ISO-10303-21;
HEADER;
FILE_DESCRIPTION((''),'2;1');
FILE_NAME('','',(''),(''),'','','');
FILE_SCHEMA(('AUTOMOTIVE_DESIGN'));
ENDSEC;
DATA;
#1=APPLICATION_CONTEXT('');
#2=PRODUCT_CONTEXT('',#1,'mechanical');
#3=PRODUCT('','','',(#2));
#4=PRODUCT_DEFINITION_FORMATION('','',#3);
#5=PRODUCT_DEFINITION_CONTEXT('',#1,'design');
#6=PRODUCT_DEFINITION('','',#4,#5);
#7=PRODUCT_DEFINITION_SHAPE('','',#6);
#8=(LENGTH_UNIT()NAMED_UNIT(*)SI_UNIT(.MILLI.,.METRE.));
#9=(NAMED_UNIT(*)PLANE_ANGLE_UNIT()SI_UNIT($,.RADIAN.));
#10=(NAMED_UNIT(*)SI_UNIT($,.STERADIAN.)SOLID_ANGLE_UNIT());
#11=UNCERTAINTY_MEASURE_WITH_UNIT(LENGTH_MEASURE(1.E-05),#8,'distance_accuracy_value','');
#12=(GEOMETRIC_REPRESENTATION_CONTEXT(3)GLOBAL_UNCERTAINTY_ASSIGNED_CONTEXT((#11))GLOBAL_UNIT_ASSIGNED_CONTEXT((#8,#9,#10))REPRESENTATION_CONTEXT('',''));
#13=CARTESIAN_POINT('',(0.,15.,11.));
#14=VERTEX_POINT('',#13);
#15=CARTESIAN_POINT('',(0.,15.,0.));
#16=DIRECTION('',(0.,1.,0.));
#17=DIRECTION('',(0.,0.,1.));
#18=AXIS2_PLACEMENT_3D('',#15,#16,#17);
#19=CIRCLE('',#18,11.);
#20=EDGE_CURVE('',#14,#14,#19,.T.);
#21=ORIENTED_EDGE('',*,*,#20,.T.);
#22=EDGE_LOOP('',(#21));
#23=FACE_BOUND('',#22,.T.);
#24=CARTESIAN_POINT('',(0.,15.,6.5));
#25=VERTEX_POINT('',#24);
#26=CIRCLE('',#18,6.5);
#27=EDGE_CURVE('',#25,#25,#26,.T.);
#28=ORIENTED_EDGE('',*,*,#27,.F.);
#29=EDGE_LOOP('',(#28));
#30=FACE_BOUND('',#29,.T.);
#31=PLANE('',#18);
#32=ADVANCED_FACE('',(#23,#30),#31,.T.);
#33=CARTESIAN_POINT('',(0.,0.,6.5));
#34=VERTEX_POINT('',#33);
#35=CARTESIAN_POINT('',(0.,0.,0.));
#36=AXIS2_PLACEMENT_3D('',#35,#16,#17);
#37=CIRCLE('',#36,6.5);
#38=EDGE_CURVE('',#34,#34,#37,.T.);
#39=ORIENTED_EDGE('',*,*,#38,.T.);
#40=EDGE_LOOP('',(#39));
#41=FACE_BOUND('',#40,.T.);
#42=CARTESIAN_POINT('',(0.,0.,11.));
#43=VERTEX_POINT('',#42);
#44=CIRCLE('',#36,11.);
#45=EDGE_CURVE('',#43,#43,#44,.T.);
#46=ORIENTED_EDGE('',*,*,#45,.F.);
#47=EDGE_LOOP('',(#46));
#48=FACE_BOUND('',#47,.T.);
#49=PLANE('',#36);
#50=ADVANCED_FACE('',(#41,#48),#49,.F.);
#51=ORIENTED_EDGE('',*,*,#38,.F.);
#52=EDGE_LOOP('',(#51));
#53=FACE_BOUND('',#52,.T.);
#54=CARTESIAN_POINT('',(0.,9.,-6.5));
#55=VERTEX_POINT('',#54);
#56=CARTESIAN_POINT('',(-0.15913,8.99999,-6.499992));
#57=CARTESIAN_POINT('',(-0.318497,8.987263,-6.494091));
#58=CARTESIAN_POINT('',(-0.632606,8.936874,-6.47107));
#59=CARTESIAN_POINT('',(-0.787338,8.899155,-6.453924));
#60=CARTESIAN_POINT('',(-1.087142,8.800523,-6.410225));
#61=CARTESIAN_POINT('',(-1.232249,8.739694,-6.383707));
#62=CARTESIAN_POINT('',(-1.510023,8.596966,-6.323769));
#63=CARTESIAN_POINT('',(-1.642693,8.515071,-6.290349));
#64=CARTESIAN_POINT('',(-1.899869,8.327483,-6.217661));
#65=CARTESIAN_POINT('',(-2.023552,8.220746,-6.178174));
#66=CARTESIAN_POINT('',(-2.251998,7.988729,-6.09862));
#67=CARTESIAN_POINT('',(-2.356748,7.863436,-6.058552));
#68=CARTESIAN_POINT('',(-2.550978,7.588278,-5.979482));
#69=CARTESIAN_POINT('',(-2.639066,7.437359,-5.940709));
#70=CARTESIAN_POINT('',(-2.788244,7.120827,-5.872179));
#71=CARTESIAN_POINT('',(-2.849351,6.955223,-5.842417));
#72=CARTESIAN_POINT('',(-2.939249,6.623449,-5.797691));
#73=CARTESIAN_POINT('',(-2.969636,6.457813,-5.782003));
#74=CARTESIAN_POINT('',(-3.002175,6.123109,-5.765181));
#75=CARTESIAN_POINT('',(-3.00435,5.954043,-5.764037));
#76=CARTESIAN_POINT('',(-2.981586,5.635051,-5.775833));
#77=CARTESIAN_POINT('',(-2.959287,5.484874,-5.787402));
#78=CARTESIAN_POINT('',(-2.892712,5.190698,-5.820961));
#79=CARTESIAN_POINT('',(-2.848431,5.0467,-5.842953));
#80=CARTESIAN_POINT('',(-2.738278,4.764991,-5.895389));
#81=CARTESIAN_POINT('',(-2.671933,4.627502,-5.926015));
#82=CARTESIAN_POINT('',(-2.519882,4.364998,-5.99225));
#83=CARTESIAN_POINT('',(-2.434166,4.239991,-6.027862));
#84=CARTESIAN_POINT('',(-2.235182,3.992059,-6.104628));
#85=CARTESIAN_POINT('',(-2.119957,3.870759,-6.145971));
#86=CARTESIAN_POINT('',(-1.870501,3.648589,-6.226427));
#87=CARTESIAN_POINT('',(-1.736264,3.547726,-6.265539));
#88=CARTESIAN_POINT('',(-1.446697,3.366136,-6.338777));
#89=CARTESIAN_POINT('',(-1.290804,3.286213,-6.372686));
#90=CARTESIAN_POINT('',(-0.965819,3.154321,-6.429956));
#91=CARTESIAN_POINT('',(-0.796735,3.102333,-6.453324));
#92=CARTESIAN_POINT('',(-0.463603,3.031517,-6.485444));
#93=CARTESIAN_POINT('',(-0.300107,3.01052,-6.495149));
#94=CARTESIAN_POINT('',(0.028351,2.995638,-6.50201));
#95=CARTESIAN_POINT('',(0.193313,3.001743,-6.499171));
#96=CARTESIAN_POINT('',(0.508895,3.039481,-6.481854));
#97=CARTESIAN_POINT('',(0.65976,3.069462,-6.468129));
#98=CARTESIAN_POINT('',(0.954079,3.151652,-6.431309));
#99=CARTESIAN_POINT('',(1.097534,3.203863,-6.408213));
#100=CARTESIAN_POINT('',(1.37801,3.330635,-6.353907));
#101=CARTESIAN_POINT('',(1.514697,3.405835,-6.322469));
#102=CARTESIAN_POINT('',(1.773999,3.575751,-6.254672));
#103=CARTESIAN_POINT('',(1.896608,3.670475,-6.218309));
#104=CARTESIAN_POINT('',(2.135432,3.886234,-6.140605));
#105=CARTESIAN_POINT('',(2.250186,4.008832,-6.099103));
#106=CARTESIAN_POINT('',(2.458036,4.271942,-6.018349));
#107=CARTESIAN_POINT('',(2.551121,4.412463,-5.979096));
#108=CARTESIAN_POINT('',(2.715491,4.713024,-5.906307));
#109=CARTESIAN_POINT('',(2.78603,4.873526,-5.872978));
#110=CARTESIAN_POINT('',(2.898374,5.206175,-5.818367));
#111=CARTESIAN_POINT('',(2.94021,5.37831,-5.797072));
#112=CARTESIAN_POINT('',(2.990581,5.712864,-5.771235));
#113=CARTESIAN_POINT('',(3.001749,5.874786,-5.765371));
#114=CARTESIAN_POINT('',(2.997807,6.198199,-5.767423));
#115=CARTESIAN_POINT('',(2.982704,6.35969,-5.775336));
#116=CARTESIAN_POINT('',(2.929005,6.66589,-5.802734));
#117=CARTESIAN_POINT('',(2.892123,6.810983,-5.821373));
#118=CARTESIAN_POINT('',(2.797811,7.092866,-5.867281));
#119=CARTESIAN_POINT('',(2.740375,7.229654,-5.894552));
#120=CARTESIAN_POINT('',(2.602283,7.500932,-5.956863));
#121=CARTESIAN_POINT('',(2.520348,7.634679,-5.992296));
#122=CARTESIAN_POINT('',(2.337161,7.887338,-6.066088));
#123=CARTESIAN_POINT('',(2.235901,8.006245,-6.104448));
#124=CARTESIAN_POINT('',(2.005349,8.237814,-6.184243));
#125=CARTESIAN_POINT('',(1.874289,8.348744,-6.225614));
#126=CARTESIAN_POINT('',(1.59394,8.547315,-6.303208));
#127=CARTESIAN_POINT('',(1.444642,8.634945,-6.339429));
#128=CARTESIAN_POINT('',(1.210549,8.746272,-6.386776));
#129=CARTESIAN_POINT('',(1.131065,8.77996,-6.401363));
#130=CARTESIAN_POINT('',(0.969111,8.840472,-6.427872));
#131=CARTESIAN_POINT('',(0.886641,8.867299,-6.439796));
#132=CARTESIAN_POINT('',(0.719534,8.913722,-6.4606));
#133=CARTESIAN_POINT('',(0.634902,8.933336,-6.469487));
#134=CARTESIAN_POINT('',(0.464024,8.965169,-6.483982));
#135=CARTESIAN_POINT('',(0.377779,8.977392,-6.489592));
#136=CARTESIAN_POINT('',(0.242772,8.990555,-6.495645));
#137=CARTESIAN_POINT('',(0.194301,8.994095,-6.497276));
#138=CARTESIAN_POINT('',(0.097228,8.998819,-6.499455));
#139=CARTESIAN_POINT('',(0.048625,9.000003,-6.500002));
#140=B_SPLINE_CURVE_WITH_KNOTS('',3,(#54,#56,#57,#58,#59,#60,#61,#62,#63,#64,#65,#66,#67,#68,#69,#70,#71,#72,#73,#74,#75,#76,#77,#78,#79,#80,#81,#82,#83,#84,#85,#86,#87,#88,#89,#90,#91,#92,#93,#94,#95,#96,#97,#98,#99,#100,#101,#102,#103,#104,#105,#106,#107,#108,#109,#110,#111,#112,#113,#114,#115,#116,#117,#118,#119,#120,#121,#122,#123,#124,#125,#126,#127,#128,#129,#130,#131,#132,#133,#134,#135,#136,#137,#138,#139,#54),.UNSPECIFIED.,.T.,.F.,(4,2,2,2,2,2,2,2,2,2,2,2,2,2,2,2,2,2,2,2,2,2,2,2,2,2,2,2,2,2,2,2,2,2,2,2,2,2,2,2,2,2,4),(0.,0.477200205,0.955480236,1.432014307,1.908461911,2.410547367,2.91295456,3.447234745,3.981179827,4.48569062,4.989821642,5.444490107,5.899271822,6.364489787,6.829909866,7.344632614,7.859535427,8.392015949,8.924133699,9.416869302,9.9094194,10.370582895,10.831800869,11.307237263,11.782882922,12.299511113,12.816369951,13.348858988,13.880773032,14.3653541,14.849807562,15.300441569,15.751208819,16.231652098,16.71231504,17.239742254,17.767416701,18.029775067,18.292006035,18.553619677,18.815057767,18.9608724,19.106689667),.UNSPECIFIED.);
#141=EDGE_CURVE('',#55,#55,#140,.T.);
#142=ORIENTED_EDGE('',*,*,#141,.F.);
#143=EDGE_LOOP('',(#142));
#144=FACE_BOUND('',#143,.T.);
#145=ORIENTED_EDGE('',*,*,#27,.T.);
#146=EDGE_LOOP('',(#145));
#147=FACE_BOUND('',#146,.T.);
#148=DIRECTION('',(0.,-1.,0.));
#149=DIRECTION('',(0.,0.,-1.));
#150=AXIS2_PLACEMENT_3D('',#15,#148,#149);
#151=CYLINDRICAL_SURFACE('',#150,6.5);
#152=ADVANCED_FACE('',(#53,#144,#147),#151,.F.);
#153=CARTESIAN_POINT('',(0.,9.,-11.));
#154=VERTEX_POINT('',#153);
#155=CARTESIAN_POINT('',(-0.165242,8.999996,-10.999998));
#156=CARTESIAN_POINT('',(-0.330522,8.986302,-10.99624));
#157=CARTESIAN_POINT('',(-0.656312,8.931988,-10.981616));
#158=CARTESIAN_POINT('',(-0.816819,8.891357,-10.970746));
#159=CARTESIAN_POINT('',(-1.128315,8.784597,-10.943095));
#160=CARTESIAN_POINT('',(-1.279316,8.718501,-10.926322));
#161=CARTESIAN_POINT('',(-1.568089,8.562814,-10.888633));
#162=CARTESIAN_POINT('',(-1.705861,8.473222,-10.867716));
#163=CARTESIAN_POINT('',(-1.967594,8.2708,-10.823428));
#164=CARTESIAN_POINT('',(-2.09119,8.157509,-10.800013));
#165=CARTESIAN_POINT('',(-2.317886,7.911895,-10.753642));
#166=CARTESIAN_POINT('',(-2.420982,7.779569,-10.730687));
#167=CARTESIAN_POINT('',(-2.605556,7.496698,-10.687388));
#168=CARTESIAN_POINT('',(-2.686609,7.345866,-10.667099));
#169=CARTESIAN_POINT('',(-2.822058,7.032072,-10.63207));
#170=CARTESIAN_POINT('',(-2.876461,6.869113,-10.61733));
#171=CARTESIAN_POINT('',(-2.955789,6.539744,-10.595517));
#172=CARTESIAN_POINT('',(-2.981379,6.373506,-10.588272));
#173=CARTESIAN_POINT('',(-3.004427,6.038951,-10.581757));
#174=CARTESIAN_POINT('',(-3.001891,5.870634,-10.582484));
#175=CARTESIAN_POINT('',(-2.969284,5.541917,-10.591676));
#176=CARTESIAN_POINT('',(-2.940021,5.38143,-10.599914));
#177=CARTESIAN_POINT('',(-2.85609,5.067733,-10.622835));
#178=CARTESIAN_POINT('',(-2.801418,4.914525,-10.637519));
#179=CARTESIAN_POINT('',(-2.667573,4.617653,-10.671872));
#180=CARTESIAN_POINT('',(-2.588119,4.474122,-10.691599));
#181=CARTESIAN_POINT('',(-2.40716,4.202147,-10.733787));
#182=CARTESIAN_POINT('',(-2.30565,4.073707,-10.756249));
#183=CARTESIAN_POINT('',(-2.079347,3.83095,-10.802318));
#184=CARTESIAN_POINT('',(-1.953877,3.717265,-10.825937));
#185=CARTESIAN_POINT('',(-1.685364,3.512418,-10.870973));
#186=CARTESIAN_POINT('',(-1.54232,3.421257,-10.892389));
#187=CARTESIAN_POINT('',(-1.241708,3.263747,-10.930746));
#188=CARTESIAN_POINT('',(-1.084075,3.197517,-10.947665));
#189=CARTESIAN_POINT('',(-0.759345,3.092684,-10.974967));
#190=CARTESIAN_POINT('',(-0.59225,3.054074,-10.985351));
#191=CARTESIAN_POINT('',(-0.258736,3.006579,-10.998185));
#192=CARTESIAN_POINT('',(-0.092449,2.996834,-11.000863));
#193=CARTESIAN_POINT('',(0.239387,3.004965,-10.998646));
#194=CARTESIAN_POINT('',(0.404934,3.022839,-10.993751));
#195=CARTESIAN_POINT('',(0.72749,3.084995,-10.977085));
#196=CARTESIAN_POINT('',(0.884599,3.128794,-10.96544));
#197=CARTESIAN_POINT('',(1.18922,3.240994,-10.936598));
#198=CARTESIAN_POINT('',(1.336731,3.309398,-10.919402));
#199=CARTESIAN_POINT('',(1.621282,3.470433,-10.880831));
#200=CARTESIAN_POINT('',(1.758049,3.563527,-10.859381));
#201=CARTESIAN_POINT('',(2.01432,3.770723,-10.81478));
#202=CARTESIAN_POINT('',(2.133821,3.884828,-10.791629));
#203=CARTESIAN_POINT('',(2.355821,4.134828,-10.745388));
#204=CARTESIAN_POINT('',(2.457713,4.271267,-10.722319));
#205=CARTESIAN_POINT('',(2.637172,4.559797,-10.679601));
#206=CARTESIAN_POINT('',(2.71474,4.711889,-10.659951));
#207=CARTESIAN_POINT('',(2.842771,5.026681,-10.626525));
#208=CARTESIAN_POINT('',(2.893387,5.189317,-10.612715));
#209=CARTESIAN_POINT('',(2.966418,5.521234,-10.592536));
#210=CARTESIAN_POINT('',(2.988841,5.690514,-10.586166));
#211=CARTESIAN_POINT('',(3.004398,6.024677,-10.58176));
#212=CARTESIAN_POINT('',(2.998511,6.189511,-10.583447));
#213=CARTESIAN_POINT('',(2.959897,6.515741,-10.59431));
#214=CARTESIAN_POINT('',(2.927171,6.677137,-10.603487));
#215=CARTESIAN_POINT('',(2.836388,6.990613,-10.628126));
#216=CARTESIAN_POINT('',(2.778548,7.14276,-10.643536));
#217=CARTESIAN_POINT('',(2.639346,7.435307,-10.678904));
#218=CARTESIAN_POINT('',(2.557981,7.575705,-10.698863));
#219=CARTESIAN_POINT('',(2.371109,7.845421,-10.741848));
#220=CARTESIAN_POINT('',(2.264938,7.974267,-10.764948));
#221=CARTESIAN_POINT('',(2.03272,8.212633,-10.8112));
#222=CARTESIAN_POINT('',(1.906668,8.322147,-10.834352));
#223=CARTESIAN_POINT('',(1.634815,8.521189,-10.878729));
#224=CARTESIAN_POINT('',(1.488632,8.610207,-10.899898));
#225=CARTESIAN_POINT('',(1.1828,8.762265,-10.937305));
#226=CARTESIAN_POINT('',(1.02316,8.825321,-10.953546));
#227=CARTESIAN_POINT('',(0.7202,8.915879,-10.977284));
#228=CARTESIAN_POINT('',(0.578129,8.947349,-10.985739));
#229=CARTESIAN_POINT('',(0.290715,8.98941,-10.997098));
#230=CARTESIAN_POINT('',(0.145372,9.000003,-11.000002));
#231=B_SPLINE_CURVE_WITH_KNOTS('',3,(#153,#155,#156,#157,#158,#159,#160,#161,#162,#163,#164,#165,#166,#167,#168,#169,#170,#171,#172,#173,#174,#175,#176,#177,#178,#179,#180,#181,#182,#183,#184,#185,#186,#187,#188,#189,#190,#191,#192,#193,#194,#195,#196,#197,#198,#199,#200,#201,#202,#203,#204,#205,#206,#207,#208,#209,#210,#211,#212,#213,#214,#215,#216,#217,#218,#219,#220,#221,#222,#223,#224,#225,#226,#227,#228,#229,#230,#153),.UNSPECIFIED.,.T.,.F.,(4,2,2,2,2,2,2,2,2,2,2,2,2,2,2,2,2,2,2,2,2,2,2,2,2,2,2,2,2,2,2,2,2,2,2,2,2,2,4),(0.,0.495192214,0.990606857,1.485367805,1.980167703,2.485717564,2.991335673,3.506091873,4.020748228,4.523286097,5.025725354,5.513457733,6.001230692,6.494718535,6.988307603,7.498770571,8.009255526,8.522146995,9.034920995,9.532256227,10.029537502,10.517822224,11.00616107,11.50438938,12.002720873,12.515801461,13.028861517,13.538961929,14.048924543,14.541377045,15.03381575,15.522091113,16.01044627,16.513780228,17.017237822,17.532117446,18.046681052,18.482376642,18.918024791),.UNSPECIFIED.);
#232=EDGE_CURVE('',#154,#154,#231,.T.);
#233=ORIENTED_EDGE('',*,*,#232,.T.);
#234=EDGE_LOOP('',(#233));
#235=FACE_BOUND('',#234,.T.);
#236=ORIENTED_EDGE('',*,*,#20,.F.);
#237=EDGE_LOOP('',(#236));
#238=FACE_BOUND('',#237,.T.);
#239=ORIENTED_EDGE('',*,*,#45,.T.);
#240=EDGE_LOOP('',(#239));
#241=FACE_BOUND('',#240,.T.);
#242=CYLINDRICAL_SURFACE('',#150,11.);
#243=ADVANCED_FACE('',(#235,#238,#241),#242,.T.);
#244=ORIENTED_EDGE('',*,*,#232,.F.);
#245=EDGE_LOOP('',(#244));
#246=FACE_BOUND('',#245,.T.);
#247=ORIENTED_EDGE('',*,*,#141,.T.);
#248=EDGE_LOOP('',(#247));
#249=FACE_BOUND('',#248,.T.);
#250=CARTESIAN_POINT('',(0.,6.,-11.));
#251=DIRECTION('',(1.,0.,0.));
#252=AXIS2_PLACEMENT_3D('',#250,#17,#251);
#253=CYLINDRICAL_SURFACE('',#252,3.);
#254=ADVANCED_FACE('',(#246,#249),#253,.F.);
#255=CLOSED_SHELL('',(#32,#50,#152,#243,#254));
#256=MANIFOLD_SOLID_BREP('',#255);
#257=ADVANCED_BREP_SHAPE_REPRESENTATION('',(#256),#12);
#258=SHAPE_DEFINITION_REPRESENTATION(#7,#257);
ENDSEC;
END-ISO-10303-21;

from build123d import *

# Parameters (mm, degrees)
SKETCH_1_R          = 11
SKETCH_1_R_2        = 6.5
EXTRUDE_1_DEPTH     = 15
SKETCH_2_R          = 3
CUT_EXTRUDE_1_DEPTH = 22.610182785


with BuildPart() as part:
    # Эскиз1 → Бобышка-Вытянуть1 (new body)
    with BuildSketch(Plane(origin=(0, 0, 0), x_dir=(1, 0, 0), z_dir=(0, 1, 0))):
        with Locations(Location((0, 0, 0), (0, 0, 270))):
            Circle(SKETCH_1_R)
        with Locations(Location((0, 0, 0), (0, 0, 270))):
            Circle(SKETCH_1_R_2, mode=Mode.SUBTRACT)
    extrude(amount=EXTRUDE_1_DEPTH)

    # Эскиз2 → Вырез-Вытянуть1 (cut, through all)
    with BuildSketch(Plane.XY):
        with Locations(Location((0, 6, 0), (0, 0, 90))):
            Circle(SKETCH_2_R)
    extrude(amount=-CUT_EXTRUDE_1_DEPTH, mode=Mode.SUBTRACT)


solid = part.part
